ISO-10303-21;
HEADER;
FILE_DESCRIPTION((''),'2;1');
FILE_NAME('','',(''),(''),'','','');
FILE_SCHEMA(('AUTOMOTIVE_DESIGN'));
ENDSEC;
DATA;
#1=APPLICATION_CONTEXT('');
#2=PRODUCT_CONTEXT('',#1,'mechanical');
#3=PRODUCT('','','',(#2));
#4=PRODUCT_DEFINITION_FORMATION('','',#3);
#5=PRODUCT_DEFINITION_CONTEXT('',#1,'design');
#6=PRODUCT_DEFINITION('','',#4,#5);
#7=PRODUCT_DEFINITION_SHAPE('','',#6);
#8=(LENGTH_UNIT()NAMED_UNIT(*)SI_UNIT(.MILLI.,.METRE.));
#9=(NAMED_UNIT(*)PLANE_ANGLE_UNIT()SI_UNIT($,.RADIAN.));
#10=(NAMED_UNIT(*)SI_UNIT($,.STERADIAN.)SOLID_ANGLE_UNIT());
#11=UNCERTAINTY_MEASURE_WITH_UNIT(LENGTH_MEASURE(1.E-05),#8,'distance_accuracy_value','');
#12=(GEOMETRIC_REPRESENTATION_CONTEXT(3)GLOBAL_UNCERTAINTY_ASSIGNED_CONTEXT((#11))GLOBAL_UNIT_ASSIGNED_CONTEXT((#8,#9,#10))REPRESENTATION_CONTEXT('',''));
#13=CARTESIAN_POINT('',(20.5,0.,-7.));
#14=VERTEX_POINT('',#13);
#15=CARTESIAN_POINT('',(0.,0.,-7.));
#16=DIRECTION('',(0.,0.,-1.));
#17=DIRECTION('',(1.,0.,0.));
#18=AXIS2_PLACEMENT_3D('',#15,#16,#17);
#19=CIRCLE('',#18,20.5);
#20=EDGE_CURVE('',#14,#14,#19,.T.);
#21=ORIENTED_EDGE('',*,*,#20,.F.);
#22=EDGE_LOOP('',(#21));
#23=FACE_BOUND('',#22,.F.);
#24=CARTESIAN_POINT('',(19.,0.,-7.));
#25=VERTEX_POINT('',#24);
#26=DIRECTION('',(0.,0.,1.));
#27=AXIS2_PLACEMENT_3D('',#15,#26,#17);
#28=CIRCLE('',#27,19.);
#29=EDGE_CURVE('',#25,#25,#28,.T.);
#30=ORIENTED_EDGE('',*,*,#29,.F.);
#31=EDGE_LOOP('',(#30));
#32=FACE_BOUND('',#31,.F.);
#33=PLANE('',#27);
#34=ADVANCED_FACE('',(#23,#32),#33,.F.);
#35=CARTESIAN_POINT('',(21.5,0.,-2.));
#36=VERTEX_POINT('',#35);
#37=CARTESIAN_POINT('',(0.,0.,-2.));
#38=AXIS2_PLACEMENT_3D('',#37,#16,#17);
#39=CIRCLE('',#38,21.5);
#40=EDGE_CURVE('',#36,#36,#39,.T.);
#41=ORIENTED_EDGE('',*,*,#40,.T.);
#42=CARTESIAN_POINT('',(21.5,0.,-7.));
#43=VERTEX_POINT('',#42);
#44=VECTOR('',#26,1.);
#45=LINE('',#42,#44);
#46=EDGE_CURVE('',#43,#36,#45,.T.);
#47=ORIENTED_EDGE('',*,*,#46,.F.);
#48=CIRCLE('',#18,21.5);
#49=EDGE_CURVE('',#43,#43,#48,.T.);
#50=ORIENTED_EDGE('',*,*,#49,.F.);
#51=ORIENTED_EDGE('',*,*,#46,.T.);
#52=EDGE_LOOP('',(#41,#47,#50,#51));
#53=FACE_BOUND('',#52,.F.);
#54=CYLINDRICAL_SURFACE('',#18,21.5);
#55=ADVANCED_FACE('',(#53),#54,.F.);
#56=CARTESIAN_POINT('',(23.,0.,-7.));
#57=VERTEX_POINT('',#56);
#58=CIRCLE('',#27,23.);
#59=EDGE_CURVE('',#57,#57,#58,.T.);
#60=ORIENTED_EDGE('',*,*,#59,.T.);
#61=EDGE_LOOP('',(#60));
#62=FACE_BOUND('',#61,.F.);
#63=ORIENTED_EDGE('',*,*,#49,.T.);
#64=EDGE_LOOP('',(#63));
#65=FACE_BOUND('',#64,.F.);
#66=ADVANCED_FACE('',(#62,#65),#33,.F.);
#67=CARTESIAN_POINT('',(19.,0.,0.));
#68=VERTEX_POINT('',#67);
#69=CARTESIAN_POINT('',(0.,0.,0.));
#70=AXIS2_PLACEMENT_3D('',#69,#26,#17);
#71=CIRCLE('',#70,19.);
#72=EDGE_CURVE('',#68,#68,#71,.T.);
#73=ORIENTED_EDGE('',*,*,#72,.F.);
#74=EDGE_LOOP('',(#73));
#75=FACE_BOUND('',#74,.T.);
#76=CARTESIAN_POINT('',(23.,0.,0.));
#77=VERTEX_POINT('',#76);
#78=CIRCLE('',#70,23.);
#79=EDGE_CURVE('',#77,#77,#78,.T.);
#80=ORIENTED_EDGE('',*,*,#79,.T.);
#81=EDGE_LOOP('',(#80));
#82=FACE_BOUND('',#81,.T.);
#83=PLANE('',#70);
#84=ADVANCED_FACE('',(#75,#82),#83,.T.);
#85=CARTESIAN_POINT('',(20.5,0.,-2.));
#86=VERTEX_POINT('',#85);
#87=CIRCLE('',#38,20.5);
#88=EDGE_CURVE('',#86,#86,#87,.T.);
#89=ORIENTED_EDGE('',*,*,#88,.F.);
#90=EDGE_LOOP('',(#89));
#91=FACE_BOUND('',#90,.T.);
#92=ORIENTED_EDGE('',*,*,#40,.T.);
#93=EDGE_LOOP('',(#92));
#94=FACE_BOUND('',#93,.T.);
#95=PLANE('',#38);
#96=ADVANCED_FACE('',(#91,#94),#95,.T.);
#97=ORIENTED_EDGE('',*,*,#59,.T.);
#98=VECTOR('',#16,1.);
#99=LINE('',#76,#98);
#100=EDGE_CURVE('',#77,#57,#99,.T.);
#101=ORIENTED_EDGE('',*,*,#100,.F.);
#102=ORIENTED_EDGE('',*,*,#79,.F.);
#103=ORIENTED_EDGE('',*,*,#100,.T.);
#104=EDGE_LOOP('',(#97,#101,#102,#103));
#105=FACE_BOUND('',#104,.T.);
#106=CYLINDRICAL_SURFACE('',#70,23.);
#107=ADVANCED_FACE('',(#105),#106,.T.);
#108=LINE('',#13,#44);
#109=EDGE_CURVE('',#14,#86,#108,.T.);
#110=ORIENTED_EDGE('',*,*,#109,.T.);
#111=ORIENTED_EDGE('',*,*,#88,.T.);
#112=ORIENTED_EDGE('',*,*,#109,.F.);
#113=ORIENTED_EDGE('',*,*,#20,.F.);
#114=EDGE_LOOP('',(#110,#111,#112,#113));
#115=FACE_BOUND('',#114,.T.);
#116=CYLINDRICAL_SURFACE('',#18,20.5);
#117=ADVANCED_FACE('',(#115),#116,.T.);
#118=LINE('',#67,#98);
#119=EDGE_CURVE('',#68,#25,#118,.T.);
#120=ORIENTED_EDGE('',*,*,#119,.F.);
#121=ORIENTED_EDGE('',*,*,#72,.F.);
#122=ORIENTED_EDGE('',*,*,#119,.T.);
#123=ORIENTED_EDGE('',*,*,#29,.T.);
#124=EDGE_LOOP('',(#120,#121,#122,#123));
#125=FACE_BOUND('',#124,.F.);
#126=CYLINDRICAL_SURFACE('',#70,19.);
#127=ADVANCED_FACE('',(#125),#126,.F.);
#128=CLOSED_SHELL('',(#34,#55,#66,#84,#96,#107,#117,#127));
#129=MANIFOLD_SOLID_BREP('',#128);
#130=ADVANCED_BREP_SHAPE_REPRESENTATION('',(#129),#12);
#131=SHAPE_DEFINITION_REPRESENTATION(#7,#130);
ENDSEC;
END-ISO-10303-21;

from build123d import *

# Parameters (mm, degrees)
F0_R     = 23
F0_R_2   = 19
F1_DEPTH = 7
F2_R     = 21.5
F2_R_2   = 20.5
F3_DEPTH = 5


with BuildPart() as f1:
    # F0 (on Top) → F1 (new body)
    with BuildSketch(Plane.XY):
        Circle(F0_R)
        Circle(F0_R_2, mode=Mode.SUBTRACT)
    extrude(amount=-F1_DEPTH)

    # F2 (on face) → F3 (cut)
    with BuildSketch(Plane(origin=(0, 0, -7), x_dir=(1, 0, 0), z_dir=(0, 0, -1))):
        Circle(F2_R)
        Circle(F2_R_2, mode=Mode.SUBTRACT)
    extrude(amount=-F3_DEPTH, mode=Mode.SUBTRACT)


solid = f1.part
